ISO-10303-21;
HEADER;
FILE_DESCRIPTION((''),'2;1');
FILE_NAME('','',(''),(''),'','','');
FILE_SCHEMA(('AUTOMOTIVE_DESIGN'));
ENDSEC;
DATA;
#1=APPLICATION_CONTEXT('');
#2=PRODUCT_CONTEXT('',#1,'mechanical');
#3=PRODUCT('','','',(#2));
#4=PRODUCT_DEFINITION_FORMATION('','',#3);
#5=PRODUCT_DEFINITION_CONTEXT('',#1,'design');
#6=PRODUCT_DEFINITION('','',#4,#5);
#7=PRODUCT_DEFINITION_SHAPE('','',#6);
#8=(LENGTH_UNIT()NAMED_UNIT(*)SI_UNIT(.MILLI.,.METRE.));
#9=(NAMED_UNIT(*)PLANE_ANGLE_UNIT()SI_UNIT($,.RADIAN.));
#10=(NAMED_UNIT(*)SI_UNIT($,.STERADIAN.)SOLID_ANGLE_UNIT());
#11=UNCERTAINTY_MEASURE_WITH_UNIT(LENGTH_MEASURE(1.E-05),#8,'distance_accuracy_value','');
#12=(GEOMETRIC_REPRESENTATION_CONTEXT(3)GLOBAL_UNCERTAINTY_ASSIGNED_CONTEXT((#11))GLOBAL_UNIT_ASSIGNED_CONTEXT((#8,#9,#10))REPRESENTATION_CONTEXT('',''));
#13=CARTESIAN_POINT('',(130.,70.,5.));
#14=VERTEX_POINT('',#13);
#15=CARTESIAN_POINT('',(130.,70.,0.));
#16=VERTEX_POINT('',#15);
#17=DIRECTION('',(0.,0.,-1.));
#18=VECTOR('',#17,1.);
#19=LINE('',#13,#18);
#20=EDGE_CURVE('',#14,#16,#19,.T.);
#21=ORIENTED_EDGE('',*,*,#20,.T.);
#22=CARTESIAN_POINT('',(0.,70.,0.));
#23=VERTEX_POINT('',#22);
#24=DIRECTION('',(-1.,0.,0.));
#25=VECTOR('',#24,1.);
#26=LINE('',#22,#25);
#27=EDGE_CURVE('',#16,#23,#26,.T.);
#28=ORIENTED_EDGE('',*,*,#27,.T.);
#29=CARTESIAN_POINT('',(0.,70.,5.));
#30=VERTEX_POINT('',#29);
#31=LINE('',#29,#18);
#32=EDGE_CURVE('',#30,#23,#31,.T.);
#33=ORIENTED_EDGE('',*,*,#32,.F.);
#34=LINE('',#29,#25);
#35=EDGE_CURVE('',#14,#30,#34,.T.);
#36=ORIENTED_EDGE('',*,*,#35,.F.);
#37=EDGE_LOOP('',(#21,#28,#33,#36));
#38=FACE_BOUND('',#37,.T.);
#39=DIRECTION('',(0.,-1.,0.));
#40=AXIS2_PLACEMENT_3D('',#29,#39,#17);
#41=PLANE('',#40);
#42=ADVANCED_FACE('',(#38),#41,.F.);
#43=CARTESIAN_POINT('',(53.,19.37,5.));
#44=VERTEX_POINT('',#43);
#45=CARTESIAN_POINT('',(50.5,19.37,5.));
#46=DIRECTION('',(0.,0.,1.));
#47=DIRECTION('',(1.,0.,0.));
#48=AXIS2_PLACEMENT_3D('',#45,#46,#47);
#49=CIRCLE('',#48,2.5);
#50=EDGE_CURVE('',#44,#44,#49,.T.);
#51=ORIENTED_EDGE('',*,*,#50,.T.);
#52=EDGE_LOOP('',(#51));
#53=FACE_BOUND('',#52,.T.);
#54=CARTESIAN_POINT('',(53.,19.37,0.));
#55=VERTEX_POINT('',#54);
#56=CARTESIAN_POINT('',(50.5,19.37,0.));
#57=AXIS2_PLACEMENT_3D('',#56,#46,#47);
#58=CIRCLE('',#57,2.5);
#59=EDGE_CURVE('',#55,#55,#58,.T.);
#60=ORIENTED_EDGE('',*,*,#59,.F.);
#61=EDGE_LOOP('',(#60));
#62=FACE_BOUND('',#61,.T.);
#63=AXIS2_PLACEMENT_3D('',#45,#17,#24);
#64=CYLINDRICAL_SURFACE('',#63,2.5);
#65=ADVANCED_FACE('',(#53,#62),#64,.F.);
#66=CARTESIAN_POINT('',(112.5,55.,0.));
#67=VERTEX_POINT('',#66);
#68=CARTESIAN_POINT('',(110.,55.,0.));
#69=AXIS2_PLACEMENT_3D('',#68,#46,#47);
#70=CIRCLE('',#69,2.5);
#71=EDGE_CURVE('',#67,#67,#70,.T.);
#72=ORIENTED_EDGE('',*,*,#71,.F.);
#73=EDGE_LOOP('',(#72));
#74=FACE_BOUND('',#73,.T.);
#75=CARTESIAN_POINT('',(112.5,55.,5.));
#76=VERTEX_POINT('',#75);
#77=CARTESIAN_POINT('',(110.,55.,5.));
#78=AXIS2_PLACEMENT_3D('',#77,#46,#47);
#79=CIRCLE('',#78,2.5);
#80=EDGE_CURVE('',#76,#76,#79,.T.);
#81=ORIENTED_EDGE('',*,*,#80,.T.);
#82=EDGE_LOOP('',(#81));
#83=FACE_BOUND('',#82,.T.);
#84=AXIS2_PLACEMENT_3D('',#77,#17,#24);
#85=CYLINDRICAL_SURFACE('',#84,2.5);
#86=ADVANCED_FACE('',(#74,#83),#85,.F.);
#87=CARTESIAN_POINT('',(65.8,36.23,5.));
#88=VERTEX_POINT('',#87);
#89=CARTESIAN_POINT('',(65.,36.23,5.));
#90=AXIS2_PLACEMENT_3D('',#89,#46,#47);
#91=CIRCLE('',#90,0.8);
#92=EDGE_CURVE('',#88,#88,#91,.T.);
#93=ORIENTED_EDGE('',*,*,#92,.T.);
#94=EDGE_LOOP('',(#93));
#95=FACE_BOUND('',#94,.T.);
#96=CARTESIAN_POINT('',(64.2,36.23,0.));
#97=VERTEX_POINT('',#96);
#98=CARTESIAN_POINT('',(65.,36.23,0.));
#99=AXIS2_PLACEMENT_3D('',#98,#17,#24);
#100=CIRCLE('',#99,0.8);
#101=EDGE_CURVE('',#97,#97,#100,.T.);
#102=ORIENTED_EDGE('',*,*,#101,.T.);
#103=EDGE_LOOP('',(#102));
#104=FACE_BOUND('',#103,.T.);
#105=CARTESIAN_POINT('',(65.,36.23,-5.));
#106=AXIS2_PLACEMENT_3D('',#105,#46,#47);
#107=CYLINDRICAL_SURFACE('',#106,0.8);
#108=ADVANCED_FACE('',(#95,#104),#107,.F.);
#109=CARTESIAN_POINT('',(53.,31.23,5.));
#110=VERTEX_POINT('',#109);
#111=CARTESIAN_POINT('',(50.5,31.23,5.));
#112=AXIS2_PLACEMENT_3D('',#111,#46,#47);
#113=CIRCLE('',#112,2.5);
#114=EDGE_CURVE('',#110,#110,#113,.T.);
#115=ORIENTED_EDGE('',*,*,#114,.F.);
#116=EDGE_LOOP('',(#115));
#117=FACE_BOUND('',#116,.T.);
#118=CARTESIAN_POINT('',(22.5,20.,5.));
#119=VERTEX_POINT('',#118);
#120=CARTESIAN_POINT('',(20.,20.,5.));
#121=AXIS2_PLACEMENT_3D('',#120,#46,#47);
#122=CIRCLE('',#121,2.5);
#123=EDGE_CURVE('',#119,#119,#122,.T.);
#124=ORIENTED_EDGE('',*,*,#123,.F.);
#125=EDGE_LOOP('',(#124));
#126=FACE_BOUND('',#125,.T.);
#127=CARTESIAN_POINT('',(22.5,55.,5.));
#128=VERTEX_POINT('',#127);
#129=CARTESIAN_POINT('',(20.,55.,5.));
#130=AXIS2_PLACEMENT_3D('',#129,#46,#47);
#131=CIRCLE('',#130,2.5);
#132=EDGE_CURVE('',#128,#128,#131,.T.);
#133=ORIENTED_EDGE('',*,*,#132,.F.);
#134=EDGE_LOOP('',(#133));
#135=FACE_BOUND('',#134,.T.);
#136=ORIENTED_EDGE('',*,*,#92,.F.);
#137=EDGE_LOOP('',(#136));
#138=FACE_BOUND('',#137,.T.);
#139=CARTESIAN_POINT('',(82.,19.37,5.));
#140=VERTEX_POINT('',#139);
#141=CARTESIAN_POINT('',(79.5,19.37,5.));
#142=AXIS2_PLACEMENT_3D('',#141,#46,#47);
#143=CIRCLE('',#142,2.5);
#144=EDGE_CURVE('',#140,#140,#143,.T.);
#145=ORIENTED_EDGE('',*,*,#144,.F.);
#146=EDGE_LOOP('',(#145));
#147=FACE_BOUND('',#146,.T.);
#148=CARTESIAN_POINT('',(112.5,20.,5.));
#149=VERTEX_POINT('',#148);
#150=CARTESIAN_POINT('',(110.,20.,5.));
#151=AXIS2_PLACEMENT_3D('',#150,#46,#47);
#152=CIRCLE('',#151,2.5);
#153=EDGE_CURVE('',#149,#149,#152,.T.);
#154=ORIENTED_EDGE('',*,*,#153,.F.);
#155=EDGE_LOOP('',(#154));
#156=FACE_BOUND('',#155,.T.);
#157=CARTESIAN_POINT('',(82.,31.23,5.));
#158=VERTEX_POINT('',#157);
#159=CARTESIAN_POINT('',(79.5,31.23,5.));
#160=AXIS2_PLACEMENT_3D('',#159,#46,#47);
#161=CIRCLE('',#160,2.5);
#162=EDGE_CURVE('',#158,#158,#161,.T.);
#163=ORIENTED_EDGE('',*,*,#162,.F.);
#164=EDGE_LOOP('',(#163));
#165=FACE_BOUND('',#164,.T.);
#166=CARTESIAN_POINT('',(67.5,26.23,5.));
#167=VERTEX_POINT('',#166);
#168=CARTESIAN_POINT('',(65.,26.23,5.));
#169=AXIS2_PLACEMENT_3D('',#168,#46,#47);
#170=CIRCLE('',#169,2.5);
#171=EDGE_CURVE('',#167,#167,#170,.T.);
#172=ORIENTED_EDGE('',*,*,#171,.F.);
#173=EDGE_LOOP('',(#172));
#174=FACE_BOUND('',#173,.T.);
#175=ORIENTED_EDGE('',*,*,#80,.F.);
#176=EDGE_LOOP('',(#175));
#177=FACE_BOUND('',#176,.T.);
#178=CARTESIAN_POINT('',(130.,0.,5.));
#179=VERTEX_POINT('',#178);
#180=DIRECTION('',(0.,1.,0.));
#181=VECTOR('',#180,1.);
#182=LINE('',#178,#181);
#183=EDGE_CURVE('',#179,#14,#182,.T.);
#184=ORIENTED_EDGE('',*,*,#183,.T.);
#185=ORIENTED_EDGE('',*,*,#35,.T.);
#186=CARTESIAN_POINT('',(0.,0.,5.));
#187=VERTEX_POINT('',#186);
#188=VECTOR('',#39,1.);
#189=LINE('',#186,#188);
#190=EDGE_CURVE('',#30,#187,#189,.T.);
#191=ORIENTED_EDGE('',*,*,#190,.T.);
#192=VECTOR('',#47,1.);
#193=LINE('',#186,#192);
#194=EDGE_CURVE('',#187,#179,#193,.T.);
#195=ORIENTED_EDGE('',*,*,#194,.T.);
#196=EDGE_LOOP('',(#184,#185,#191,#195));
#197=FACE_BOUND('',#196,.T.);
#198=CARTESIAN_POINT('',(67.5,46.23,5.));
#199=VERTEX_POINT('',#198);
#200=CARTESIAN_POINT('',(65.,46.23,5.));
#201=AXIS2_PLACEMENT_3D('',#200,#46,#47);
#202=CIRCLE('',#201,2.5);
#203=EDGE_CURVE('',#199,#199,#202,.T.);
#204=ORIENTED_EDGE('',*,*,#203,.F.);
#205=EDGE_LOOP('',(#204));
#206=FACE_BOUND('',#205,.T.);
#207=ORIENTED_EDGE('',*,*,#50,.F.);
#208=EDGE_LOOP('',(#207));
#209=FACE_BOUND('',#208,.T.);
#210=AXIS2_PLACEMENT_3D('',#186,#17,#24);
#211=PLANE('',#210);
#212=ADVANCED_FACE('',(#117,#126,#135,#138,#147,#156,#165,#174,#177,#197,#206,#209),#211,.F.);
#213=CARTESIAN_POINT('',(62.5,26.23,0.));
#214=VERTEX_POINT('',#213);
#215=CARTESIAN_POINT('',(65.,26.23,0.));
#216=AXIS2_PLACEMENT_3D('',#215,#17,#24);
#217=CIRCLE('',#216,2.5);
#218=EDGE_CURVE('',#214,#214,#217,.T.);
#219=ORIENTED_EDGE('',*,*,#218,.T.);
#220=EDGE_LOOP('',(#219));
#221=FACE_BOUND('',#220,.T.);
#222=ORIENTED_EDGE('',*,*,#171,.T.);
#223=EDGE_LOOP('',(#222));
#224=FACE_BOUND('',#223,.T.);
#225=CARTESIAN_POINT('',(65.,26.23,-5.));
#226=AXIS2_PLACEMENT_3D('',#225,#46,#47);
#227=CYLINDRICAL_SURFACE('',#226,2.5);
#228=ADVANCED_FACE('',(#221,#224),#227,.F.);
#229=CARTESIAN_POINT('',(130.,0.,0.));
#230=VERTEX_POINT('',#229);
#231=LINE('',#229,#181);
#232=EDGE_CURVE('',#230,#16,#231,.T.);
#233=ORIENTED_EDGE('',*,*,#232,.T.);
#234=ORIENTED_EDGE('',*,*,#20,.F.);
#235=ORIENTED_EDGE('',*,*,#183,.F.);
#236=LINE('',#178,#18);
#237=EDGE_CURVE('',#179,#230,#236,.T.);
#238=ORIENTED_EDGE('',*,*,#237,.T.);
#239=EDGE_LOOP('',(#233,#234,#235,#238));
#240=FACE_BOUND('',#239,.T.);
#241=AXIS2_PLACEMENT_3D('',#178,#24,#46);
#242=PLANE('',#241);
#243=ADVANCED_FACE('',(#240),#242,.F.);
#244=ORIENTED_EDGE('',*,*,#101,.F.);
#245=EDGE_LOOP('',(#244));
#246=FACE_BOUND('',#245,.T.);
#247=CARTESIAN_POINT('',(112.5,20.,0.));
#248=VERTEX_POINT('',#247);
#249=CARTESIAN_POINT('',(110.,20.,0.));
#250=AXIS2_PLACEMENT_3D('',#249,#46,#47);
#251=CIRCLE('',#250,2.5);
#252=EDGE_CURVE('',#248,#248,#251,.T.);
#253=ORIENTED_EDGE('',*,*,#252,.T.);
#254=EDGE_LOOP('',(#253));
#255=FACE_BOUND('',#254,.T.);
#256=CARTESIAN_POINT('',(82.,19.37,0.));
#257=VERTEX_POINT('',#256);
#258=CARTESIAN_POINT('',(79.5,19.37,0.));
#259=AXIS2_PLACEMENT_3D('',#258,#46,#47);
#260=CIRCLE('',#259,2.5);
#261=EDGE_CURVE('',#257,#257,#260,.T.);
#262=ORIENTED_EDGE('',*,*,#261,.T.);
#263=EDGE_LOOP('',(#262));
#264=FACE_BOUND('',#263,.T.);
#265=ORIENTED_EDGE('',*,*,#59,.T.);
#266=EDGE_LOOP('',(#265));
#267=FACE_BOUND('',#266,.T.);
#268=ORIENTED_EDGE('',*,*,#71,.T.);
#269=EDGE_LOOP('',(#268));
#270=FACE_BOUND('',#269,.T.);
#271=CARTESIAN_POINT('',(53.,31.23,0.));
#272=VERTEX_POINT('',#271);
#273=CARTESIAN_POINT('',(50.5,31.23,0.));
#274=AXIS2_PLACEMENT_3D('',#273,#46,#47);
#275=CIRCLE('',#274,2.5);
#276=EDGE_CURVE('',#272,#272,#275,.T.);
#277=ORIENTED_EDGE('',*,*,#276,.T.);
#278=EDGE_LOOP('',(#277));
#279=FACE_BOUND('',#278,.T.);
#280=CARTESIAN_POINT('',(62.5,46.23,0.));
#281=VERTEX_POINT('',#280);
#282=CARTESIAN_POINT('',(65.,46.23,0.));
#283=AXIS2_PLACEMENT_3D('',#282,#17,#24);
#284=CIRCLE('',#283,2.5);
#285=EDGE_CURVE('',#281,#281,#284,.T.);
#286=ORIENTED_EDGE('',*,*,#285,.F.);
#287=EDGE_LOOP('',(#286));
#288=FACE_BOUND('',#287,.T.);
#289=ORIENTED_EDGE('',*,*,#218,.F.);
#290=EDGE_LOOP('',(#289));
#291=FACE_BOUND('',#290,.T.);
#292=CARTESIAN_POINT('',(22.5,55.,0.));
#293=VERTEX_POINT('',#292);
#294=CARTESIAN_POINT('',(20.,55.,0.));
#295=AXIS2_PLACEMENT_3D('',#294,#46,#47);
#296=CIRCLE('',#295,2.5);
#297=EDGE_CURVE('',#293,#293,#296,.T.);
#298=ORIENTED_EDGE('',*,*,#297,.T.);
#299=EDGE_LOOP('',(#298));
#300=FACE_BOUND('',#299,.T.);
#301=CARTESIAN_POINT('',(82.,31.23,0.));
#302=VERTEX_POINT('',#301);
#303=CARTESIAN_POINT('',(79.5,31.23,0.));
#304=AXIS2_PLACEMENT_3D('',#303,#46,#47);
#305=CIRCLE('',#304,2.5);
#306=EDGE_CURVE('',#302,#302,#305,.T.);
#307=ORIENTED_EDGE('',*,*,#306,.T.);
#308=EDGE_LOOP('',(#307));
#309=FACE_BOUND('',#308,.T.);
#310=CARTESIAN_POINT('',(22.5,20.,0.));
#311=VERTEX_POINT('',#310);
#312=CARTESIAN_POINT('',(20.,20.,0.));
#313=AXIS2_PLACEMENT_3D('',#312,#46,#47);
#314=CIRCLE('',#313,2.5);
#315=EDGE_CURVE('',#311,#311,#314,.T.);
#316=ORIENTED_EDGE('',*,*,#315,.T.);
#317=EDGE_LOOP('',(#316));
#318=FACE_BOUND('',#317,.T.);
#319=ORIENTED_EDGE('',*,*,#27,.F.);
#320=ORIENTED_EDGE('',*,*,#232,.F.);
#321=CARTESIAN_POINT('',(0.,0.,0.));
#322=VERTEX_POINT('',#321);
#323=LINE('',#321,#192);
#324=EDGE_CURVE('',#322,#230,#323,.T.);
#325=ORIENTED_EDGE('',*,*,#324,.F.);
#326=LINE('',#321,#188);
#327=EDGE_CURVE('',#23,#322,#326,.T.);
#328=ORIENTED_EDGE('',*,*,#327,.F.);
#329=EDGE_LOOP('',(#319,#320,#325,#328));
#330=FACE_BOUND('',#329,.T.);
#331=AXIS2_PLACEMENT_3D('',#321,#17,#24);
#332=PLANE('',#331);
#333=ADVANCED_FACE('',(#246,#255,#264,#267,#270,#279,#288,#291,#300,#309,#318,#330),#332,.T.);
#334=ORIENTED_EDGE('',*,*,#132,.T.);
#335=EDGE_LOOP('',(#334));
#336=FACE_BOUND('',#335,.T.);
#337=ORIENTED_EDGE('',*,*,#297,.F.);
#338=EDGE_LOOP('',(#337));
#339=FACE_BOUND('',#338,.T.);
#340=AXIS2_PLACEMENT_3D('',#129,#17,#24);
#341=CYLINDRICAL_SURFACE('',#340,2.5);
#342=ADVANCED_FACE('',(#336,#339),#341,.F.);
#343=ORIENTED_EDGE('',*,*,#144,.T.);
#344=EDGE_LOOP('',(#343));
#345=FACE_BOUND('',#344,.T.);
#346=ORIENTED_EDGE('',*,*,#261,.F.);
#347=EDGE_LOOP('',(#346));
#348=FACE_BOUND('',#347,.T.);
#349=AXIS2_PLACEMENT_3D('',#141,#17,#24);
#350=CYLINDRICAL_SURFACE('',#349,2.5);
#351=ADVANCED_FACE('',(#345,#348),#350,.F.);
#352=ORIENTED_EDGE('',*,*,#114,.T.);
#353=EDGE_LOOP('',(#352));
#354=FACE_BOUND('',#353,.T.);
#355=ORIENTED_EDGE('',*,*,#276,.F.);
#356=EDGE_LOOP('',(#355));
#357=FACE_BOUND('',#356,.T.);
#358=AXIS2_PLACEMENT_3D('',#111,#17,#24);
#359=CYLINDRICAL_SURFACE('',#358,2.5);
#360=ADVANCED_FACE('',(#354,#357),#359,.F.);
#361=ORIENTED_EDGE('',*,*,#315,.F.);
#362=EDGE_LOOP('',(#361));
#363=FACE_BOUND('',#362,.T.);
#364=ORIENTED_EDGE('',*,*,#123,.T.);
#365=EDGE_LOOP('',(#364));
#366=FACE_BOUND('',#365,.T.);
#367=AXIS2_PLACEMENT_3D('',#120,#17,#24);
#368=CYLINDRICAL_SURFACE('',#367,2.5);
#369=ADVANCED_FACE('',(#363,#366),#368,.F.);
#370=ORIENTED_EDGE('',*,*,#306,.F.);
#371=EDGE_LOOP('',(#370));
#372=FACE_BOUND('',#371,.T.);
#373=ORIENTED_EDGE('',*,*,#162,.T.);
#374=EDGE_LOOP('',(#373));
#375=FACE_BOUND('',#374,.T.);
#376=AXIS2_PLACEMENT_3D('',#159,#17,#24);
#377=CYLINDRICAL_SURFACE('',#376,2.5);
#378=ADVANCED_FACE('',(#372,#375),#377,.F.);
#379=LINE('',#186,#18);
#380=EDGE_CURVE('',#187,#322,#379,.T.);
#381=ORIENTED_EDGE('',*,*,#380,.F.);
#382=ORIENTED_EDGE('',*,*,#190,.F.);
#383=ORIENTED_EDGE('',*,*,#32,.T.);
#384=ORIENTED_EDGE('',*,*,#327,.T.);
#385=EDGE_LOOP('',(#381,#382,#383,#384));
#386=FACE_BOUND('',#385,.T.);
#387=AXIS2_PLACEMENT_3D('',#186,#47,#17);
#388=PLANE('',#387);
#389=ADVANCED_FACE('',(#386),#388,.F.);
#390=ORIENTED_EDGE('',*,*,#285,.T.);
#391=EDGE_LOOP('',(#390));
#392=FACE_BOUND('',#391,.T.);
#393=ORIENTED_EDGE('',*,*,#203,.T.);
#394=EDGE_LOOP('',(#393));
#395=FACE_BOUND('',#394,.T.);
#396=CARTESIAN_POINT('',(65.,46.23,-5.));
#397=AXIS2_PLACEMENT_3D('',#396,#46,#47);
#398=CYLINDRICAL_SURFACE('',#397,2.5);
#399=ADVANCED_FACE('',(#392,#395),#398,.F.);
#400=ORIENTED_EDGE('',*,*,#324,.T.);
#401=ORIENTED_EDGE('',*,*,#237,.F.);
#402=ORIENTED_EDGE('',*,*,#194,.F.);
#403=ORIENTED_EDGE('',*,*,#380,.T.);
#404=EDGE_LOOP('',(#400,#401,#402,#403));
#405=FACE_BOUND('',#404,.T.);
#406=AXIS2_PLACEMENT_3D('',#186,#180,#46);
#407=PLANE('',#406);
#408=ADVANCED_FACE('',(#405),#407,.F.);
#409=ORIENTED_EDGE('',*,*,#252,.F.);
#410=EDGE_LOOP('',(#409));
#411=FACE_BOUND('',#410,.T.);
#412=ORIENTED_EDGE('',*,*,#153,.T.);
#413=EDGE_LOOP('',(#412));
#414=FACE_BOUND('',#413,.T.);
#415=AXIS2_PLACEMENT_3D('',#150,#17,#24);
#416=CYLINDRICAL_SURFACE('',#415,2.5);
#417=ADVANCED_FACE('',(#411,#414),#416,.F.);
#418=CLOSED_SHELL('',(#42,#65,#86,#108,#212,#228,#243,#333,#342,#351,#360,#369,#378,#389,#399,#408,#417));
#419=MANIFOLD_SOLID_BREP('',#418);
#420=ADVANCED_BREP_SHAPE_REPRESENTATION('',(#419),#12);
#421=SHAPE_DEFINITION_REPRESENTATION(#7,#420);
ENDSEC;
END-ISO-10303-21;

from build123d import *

# Parameters (mm, degrees)
ESQUISSE1_W             = 130
ESQUISSE1_H             = 70
ESQUISSE1_R             = 2.5
BOSS_EXTRU_4_DEPTH      = 5
ESQUISSE2_R             = 0.8
ESQUISSE2_R_2           = 2.5
ENL_V_MAT_EXTRU_1_DEPTH = 10


with BuildPart() as part:
    # Esquisse1 → Boss.-Extru.4 (new body)
    with BuildSketch(Plane.XY):
        with Locations((65, 35)):
            Rectangle(ESQUISSE1_W, ESQUISSE1_H)
        with Locations((20, 55)):
            Circle(ESQUISSE1_R, mode=Mode.SUBTRACT)
        with Locations((110, 55)):
            Circle(ESQUISSE1_R, mode=Mode.SUBTRACT)
        with Locations((50.5, 31.23)):
            Circle(ESQUISSE1_R, mode=Mode.SUBTRACT)
        with Locations((79.5, 31.23)):
            Circle(ESQUISSE1_R, mode=Mode.SUBTRACT)
        with Locations((50.5, 19.37)):
            Circle(ESQUISSE1_R, mode=Mode.SUBTRACT)
        with Locations((79.5, 19.37)):
            Circle(ESQUISSE1_R, mode=Mode.SUBTRACT)
        with Locations((20, 20)):
            Circle(ESQUISSE1_R, mode=Mode.SUBTRACT)
        with Locations((110, 20)):
            Circle(ESQUISSE1_R, mode=Mode.SUBTRACT)
    extrude(amount=BOSS_EXTRU_4_DEPTH)

    # Esquisse2 → Enlèv. mat.-Extru.1 (cut)
    with BuildSketch(Plane.XY.offset(5)):
        with Locations((65, 36.23)):
            Circle(ESQUISSE2_R)
        with Locations((65, 26.23)):
            Circle(ESQUISSE2_R_2)
        with Locations((65, 46.23)):
            Circle(ESQUISSE2_R_2)
    extrude(amount=-ENL_V_MAT_EXTRU_1_DEPTH, mode=Mode.SUBTRACT)


solid = part.part
